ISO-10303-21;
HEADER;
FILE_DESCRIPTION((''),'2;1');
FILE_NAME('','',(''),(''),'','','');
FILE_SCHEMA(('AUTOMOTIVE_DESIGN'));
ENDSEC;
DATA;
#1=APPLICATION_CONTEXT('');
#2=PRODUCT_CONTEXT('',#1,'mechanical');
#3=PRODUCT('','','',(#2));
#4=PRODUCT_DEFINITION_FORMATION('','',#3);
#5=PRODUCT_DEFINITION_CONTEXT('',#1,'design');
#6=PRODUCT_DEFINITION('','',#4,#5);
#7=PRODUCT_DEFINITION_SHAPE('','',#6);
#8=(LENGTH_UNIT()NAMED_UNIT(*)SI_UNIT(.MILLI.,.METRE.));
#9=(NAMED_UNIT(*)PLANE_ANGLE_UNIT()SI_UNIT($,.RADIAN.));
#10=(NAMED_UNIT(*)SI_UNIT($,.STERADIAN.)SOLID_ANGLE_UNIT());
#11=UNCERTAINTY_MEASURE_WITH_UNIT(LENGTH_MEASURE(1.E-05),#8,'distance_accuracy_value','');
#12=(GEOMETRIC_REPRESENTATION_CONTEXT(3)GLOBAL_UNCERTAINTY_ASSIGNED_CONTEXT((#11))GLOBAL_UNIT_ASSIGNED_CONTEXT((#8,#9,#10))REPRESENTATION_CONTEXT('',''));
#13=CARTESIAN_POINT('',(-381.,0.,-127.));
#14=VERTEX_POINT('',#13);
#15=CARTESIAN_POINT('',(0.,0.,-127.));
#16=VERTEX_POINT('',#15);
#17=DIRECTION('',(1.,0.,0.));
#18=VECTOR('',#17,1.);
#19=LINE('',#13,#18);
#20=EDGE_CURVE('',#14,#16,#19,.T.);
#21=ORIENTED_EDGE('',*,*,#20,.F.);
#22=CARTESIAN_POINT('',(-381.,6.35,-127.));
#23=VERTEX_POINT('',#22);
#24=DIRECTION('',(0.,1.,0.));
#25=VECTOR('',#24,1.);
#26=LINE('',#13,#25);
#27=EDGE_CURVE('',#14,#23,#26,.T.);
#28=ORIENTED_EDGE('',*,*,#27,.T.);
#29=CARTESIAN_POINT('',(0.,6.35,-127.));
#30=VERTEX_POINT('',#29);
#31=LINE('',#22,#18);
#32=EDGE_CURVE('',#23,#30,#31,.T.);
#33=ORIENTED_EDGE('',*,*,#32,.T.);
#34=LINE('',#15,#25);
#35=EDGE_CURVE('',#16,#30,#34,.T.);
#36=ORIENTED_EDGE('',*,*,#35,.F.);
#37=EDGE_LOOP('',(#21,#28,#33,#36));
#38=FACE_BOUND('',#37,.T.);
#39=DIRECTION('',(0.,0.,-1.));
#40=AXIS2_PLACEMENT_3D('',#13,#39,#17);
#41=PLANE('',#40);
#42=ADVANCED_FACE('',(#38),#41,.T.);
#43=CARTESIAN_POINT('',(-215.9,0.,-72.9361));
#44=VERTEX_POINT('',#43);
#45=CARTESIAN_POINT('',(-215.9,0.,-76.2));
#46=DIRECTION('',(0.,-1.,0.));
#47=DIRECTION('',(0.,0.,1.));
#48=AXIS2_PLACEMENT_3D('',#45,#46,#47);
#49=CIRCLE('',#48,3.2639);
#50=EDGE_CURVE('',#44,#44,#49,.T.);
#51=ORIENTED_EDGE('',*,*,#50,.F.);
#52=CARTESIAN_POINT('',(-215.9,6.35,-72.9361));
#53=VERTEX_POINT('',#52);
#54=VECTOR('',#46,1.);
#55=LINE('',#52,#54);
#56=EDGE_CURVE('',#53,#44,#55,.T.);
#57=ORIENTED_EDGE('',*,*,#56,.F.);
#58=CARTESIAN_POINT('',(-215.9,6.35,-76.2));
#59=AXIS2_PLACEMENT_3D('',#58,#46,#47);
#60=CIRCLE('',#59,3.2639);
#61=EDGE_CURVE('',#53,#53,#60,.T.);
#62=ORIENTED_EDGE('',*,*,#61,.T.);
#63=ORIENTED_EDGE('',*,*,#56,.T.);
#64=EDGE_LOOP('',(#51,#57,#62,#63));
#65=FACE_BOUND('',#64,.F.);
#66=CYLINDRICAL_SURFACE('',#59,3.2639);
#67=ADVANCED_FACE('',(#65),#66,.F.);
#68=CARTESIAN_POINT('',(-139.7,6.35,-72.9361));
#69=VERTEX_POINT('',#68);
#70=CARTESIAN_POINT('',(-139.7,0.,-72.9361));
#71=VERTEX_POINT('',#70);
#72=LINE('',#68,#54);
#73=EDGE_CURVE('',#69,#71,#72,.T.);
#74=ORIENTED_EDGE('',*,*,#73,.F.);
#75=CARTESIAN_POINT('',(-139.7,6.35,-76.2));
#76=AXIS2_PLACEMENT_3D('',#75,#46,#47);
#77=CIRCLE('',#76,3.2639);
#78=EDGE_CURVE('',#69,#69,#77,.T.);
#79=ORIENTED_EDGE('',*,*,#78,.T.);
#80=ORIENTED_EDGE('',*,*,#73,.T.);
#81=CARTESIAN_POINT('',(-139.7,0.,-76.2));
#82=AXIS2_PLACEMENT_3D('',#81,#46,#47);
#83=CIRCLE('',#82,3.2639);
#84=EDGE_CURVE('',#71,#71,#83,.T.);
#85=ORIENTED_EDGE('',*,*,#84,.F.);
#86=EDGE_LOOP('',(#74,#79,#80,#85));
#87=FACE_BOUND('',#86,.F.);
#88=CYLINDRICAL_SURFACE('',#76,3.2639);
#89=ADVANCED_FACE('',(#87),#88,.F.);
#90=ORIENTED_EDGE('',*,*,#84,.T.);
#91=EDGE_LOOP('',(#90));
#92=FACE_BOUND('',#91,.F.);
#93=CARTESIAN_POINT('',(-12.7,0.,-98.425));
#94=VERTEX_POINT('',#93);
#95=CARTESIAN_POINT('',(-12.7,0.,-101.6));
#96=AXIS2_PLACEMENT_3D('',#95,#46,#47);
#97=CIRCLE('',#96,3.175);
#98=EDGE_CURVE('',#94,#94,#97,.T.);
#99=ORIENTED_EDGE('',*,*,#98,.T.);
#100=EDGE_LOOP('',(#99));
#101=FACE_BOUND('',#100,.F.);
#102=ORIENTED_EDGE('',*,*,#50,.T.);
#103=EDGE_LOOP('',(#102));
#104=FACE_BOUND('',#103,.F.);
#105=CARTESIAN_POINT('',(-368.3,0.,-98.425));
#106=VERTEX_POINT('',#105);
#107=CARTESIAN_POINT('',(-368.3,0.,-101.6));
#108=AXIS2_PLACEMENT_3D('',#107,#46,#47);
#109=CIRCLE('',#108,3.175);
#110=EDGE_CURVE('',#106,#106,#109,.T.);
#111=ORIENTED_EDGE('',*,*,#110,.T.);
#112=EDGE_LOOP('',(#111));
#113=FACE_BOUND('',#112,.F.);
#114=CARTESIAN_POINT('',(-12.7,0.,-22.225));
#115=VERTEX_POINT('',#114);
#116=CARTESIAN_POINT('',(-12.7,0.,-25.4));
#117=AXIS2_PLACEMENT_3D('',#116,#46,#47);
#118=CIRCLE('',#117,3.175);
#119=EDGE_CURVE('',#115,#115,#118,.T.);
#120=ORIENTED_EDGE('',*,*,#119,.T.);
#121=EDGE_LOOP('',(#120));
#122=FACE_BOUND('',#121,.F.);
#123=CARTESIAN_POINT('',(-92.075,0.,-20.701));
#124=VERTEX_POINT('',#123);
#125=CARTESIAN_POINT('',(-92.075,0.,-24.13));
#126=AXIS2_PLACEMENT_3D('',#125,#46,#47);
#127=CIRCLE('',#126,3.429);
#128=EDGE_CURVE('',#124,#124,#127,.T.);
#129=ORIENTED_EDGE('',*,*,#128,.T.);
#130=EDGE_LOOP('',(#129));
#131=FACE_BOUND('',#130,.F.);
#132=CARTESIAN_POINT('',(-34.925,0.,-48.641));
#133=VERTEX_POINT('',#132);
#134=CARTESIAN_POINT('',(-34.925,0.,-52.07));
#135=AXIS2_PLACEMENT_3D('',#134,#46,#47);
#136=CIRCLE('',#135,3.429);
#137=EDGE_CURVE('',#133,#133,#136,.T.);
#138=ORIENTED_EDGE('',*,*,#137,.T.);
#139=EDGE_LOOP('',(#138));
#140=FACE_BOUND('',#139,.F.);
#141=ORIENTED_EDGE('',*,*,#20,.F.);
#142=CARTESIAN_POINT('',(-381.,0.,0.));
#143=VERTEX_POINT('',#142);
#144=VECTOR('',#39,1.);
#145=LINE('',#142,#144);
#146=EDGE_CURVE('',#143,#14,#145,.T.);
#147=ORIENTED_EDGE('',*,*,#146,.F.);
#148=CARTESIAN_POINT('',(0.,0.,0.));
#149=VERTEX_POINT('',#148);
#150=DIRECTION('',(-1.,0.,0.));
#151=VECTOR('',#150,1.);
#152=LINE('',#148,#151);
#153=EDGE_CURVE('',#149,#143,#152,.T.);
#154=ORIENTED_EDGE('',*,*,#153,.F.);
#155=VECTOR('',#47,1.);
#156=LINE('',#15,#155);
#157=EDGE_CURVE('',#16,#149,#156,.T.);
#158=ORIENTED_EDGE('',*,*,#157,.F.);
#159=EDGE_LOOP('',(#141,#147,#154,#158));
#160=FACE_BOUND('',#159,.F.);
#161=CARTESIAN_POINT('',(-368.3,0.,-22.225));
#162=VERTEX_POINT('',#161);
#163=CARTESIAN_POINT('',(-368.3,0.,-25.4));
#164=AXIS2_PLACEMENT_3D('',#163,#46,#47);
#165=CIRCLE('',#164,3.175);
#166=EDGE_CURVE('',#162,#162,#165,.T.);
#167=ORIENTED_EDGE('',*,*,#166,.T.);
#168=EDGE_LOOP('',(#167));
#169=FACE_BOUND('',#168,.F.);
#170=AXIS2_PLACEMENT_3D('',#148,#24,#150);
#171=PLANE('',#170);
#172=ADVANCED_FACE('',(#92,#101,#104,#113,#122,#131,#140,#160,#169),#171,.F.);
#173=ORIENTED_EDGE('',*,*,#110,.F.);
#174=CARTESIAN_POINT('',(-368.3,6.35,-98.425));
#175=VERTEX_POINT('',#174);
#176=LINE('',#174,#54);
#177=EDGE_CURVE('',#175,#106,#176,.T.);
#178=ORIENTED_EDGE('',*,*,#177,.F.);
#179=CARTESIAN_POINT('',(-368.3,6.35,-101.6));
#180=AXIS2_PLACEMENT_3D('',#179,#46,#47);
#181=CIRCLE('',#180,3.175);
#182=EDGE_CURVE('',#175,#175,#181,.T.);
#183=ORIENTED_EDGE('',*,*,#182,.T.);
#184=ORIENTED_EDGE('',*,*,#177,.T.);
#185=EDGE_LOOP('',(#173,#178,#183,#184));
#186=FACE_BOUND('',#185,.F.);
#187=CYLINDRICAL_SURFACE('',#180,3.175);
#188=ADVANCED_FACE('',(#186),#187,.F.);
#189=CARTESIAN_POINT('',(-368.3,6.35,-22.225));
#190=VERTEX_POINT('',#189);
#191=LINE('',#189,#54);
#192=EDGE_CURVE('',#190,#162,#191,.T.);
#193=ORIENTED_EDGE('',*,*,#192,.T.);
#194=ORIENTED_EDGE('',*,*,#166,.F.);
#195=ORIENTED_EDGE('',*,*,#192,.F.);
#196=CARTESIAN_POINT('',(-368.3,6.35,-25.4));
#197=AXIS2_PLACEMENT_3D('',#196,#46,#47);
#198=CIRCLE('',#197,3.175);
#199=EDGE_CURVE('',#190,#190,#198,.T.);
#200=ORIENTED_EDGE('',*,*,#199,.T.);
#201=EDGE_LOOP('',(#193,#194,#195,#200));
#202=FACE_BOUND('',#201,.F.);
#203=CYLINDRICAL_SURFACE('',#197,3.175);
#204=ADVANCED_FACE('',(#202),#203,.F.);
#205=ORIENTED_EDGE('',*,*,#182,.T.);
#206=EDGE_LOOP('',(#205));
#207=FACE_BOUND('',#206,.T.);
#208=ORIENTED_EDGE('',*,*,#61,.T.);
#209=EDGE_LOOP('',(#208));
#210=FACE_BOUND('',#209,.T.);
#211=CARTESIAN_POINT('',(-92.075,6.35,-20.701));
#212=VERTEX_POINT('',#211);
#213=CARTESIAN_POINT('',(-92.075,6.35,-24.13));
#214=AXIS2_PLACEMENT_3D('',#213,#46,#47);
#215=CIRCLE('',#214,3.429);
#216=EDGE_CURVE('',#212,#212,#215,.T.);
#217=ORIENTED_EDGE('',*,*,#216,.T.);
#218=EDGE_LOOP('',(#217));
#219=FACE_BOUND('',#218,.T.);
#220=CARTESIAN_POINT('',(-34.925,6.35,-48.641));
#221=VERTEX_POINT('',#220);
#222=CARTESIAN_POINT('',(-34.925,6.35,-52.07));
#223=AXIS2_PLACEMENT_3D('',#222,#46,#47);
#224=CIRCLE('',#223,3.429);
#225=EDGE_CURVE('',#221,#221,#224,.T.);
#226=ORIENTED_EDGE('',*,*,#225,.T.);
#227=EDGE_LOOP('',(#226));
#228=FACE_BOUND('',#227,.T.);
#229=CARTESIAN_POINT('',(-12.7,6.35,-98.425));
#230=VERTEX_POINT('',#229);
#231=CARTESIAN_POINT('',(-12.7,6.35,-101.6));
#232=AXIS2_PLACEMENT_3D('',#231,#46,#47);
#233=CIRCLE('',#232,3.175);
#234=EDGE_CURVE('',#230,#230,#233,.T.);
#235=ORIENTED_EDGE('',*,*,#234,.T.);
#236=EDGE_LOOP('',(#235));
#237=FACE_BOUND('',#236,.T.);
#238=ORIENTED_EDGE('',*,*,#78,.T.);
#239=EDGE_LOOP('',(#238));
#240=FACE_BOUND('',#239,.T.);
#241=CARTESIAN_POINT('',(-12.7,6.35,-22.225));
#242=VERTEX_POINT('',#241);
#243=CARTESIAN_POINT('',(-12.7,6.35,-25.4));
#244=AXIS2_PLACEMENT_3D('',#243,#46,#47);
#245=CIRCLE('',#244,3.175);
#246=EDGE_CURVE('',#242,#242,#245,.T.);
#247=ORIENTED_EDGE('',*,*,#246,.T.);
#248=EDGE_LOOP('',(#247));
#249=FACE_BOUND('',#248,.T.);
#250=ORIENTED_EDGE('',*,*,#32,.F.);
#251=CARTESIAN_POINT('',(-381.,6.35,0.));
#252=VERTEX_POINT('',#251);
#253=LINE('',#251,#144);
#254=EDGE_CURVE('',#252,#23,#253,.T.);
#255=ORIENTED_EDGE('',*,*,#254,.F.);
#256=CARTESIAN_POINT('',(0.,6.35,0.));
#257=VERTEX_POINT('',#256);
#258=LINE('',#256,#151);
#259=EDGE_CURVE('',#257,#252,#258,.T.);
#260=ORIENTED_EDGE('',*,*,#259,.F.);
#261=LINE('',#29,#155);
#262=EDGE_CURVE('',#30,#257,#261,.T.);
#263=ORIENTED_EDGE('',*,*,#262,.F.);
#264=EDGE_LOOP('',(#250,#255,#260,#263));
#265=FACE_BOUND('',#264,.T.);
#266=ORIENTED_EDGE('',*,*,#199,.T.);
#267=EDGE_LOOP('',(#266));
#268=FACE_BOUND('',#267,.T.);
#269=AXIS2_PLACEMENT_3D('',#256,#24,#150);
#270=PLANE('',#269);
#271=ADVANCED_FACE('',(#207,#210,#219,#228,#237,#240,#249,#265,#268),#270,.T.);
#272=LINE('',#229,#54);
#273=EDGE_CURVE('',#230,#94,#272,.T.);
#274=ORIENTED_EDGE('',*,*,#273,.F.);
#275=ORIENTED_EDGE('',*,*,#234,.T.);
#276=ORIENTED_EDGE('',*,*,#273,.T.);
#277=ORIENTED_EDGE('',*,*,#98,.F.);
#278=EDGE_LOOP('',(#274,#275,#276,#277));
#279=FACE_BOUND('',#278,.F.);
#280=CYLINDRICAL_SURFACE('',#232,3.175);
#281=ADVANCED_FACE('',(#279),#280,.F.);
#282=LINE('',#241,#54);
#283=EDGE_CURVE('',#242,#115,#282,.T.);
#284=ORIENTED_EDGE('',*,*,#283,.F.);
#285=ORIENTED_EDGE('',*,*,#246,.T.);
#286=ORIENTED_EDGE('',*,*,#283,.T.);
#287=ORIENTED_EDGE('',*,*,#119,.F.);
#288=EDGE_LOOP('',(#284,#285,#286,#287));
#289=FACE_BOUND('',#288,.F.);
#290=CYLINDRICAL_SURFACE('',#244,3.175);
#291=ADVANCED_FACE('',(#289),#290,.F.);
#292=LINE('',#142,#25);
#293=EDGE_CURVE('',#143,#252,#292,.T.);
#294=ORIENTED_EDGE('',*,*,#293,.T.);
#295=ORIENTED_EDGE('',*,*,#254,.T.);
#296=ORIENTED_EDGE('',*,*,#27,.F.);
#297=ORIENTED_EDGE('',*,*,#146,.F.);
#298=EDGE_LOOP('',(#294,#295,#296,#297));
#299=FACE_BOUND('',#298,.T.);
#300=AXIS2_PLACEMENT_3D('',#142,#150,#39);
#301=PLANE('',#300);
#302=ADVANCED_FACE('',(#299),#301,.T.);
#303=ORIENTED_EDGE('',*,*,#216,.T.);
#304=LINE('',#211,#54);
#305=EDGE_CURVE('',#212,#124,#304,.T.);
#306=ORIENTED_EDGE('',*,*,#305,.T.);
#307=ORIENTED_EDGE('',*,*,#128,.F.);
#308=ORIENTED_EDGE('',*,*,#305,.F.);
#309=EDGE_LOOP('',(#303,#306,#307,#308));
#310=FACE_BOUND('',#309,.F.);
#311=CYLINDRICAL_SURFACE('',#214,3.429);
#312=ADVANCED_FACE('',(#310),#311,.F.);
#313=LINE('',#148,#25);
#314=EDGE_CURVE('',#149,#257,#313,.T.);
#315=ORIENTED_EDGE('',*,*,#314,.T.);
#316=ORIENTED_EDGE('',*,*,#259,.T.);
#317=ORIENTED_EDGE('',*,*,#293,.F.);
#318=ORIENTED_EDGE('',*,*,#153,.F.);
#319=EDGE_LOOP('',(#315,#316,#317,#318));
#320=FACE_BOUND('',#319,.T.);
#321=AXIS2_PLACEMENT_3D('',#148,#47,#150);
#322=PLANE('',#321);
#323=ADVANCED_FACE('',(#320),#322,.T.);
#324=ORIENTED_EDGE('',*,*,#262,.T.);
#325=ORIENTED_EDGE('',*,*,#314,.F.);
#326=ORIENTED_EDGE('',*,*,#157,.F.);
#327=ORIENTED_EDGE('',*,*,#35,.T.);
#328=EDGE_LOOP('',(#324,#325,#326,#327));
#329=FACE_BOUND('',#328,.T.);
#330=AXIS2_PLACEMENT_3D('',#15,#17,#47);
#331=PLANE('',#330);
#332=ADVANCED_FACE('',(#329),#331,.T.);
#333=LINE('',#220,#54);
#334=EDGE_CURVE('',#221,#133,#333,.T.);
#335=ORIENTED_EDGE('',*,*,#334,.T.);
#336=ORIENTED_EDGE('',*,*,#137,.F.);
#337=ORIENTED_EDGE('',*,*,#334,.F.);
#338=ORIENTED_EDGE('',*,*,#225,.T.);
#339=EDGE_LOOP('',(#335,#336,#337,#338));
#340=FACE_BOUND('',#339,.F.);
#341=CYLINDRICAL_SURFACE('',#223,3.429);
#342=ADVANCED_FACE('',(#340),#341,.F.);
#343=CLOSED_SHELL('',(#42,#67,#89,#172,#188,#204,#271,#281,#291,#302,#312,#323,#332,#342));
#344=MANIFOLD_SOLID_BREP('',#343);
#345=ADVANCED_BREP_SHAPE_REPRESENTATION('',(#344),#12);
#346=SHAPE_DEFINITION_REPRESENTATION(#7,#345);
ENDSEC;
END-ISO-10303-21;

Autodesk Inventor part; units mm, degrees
ref_plane "YZ Plane" through (0, 0, 0) normal (1, 0, 0) x (0, 1, 0)
ref_plane "XZ Plane" through (0, 0, 0) normal (0, 1, 0) x (-1, 0, 0)
ref_plane "XY Plane" through (0, 0, 0) normal (0, 0, 1) x (1, 0, 0)
sketch "Sketch1" plane through (0, 0, 0) normal (0, 1, 0) x (-1, 0, 0)
  line L0 (0, 0) -> (381, 0)
  line L1 (381, 0) -> (381, -127)
  line L2 (381, -127) -> (0, -127)
  line L3 (0, -127) -> (0, 0)
  dimension "d0" = 381
  dimension "d1" = 127
extrude "Extrusion1" add sketch "Sketch1" along normal blind 6.35
sketch "Sketch2" plane through (0, 6.35, 0) normal (0, 1, 0) x (1, 0, 0)
  line L0 (0, 0) -> (0, 127) projected
  line L1 (0, 127) -> (-381, 127) projected
  line L2 (-381, 127) -> (-381, 0) projected
  point P0 (-368.3, 101.6)
  point P1 (-368.3, 25.4)
  point P2 (-12.7, 101.6)
  point P3 (-12.7, 25.4)
  dimension "d4" = 12.7
  dimension "d5" = 12.7
  dimension "d6" = 76.2
  dimension "d7" = 25.4
hole "Hole1" at (-368.3, 6.35, -101.6) at (-368.3, 6.35, -25.4) at (-12.7, 6.35, -101.6) at (-12.7, 6.35, -25.4) direction (0, -1, 0) diameter 6.35 end through all
sketch "Sketch3" plane through (0, 6.35, 0) normal (0, 1, 0) x (1, 0, 0)
  line L0 (0, 127) -> (-381, 127) projected
  line L1 (-381, 127) -> (-381, 0) projected
  point P0 (-215.9, 76.2)
  point P1 (-139.7, 76.2)
  dimension "d15" = 76.2
  dimension "d16" = 50.8
  dimension "d17" = 165.1
hole "Hole2" at (-215.9, 6.35, -76.2) at (-139.7, 6.35, -76.2) direction (0, -1, 0) diameter 6.5278 end through all
sketch "Sketch4" plane through (0, 6.35, 0) normal (0, 1, 0) x (1, 0, 0)
  line L0 (-381, 0) -> (0, 0) projected
  line L1 (0, 0) -> (0, 127) projected
  point P0 (-92.075, 24.13)
  point P1 (-34.925, 52.07)
  dimension "d25" = 57.15
  dimension "d26" = 27.94
  dimension "d27" = 24.13
  dimension "d28" = 34.925
hole "Hole3" at (-92.075, 6.35, -24.13) at (-34.925, 6.35, -52.07) direction (0, -1, 0) diameter 6.858 end through all
properties part number "Power Mount Plate" material "Aluminum 6061"
